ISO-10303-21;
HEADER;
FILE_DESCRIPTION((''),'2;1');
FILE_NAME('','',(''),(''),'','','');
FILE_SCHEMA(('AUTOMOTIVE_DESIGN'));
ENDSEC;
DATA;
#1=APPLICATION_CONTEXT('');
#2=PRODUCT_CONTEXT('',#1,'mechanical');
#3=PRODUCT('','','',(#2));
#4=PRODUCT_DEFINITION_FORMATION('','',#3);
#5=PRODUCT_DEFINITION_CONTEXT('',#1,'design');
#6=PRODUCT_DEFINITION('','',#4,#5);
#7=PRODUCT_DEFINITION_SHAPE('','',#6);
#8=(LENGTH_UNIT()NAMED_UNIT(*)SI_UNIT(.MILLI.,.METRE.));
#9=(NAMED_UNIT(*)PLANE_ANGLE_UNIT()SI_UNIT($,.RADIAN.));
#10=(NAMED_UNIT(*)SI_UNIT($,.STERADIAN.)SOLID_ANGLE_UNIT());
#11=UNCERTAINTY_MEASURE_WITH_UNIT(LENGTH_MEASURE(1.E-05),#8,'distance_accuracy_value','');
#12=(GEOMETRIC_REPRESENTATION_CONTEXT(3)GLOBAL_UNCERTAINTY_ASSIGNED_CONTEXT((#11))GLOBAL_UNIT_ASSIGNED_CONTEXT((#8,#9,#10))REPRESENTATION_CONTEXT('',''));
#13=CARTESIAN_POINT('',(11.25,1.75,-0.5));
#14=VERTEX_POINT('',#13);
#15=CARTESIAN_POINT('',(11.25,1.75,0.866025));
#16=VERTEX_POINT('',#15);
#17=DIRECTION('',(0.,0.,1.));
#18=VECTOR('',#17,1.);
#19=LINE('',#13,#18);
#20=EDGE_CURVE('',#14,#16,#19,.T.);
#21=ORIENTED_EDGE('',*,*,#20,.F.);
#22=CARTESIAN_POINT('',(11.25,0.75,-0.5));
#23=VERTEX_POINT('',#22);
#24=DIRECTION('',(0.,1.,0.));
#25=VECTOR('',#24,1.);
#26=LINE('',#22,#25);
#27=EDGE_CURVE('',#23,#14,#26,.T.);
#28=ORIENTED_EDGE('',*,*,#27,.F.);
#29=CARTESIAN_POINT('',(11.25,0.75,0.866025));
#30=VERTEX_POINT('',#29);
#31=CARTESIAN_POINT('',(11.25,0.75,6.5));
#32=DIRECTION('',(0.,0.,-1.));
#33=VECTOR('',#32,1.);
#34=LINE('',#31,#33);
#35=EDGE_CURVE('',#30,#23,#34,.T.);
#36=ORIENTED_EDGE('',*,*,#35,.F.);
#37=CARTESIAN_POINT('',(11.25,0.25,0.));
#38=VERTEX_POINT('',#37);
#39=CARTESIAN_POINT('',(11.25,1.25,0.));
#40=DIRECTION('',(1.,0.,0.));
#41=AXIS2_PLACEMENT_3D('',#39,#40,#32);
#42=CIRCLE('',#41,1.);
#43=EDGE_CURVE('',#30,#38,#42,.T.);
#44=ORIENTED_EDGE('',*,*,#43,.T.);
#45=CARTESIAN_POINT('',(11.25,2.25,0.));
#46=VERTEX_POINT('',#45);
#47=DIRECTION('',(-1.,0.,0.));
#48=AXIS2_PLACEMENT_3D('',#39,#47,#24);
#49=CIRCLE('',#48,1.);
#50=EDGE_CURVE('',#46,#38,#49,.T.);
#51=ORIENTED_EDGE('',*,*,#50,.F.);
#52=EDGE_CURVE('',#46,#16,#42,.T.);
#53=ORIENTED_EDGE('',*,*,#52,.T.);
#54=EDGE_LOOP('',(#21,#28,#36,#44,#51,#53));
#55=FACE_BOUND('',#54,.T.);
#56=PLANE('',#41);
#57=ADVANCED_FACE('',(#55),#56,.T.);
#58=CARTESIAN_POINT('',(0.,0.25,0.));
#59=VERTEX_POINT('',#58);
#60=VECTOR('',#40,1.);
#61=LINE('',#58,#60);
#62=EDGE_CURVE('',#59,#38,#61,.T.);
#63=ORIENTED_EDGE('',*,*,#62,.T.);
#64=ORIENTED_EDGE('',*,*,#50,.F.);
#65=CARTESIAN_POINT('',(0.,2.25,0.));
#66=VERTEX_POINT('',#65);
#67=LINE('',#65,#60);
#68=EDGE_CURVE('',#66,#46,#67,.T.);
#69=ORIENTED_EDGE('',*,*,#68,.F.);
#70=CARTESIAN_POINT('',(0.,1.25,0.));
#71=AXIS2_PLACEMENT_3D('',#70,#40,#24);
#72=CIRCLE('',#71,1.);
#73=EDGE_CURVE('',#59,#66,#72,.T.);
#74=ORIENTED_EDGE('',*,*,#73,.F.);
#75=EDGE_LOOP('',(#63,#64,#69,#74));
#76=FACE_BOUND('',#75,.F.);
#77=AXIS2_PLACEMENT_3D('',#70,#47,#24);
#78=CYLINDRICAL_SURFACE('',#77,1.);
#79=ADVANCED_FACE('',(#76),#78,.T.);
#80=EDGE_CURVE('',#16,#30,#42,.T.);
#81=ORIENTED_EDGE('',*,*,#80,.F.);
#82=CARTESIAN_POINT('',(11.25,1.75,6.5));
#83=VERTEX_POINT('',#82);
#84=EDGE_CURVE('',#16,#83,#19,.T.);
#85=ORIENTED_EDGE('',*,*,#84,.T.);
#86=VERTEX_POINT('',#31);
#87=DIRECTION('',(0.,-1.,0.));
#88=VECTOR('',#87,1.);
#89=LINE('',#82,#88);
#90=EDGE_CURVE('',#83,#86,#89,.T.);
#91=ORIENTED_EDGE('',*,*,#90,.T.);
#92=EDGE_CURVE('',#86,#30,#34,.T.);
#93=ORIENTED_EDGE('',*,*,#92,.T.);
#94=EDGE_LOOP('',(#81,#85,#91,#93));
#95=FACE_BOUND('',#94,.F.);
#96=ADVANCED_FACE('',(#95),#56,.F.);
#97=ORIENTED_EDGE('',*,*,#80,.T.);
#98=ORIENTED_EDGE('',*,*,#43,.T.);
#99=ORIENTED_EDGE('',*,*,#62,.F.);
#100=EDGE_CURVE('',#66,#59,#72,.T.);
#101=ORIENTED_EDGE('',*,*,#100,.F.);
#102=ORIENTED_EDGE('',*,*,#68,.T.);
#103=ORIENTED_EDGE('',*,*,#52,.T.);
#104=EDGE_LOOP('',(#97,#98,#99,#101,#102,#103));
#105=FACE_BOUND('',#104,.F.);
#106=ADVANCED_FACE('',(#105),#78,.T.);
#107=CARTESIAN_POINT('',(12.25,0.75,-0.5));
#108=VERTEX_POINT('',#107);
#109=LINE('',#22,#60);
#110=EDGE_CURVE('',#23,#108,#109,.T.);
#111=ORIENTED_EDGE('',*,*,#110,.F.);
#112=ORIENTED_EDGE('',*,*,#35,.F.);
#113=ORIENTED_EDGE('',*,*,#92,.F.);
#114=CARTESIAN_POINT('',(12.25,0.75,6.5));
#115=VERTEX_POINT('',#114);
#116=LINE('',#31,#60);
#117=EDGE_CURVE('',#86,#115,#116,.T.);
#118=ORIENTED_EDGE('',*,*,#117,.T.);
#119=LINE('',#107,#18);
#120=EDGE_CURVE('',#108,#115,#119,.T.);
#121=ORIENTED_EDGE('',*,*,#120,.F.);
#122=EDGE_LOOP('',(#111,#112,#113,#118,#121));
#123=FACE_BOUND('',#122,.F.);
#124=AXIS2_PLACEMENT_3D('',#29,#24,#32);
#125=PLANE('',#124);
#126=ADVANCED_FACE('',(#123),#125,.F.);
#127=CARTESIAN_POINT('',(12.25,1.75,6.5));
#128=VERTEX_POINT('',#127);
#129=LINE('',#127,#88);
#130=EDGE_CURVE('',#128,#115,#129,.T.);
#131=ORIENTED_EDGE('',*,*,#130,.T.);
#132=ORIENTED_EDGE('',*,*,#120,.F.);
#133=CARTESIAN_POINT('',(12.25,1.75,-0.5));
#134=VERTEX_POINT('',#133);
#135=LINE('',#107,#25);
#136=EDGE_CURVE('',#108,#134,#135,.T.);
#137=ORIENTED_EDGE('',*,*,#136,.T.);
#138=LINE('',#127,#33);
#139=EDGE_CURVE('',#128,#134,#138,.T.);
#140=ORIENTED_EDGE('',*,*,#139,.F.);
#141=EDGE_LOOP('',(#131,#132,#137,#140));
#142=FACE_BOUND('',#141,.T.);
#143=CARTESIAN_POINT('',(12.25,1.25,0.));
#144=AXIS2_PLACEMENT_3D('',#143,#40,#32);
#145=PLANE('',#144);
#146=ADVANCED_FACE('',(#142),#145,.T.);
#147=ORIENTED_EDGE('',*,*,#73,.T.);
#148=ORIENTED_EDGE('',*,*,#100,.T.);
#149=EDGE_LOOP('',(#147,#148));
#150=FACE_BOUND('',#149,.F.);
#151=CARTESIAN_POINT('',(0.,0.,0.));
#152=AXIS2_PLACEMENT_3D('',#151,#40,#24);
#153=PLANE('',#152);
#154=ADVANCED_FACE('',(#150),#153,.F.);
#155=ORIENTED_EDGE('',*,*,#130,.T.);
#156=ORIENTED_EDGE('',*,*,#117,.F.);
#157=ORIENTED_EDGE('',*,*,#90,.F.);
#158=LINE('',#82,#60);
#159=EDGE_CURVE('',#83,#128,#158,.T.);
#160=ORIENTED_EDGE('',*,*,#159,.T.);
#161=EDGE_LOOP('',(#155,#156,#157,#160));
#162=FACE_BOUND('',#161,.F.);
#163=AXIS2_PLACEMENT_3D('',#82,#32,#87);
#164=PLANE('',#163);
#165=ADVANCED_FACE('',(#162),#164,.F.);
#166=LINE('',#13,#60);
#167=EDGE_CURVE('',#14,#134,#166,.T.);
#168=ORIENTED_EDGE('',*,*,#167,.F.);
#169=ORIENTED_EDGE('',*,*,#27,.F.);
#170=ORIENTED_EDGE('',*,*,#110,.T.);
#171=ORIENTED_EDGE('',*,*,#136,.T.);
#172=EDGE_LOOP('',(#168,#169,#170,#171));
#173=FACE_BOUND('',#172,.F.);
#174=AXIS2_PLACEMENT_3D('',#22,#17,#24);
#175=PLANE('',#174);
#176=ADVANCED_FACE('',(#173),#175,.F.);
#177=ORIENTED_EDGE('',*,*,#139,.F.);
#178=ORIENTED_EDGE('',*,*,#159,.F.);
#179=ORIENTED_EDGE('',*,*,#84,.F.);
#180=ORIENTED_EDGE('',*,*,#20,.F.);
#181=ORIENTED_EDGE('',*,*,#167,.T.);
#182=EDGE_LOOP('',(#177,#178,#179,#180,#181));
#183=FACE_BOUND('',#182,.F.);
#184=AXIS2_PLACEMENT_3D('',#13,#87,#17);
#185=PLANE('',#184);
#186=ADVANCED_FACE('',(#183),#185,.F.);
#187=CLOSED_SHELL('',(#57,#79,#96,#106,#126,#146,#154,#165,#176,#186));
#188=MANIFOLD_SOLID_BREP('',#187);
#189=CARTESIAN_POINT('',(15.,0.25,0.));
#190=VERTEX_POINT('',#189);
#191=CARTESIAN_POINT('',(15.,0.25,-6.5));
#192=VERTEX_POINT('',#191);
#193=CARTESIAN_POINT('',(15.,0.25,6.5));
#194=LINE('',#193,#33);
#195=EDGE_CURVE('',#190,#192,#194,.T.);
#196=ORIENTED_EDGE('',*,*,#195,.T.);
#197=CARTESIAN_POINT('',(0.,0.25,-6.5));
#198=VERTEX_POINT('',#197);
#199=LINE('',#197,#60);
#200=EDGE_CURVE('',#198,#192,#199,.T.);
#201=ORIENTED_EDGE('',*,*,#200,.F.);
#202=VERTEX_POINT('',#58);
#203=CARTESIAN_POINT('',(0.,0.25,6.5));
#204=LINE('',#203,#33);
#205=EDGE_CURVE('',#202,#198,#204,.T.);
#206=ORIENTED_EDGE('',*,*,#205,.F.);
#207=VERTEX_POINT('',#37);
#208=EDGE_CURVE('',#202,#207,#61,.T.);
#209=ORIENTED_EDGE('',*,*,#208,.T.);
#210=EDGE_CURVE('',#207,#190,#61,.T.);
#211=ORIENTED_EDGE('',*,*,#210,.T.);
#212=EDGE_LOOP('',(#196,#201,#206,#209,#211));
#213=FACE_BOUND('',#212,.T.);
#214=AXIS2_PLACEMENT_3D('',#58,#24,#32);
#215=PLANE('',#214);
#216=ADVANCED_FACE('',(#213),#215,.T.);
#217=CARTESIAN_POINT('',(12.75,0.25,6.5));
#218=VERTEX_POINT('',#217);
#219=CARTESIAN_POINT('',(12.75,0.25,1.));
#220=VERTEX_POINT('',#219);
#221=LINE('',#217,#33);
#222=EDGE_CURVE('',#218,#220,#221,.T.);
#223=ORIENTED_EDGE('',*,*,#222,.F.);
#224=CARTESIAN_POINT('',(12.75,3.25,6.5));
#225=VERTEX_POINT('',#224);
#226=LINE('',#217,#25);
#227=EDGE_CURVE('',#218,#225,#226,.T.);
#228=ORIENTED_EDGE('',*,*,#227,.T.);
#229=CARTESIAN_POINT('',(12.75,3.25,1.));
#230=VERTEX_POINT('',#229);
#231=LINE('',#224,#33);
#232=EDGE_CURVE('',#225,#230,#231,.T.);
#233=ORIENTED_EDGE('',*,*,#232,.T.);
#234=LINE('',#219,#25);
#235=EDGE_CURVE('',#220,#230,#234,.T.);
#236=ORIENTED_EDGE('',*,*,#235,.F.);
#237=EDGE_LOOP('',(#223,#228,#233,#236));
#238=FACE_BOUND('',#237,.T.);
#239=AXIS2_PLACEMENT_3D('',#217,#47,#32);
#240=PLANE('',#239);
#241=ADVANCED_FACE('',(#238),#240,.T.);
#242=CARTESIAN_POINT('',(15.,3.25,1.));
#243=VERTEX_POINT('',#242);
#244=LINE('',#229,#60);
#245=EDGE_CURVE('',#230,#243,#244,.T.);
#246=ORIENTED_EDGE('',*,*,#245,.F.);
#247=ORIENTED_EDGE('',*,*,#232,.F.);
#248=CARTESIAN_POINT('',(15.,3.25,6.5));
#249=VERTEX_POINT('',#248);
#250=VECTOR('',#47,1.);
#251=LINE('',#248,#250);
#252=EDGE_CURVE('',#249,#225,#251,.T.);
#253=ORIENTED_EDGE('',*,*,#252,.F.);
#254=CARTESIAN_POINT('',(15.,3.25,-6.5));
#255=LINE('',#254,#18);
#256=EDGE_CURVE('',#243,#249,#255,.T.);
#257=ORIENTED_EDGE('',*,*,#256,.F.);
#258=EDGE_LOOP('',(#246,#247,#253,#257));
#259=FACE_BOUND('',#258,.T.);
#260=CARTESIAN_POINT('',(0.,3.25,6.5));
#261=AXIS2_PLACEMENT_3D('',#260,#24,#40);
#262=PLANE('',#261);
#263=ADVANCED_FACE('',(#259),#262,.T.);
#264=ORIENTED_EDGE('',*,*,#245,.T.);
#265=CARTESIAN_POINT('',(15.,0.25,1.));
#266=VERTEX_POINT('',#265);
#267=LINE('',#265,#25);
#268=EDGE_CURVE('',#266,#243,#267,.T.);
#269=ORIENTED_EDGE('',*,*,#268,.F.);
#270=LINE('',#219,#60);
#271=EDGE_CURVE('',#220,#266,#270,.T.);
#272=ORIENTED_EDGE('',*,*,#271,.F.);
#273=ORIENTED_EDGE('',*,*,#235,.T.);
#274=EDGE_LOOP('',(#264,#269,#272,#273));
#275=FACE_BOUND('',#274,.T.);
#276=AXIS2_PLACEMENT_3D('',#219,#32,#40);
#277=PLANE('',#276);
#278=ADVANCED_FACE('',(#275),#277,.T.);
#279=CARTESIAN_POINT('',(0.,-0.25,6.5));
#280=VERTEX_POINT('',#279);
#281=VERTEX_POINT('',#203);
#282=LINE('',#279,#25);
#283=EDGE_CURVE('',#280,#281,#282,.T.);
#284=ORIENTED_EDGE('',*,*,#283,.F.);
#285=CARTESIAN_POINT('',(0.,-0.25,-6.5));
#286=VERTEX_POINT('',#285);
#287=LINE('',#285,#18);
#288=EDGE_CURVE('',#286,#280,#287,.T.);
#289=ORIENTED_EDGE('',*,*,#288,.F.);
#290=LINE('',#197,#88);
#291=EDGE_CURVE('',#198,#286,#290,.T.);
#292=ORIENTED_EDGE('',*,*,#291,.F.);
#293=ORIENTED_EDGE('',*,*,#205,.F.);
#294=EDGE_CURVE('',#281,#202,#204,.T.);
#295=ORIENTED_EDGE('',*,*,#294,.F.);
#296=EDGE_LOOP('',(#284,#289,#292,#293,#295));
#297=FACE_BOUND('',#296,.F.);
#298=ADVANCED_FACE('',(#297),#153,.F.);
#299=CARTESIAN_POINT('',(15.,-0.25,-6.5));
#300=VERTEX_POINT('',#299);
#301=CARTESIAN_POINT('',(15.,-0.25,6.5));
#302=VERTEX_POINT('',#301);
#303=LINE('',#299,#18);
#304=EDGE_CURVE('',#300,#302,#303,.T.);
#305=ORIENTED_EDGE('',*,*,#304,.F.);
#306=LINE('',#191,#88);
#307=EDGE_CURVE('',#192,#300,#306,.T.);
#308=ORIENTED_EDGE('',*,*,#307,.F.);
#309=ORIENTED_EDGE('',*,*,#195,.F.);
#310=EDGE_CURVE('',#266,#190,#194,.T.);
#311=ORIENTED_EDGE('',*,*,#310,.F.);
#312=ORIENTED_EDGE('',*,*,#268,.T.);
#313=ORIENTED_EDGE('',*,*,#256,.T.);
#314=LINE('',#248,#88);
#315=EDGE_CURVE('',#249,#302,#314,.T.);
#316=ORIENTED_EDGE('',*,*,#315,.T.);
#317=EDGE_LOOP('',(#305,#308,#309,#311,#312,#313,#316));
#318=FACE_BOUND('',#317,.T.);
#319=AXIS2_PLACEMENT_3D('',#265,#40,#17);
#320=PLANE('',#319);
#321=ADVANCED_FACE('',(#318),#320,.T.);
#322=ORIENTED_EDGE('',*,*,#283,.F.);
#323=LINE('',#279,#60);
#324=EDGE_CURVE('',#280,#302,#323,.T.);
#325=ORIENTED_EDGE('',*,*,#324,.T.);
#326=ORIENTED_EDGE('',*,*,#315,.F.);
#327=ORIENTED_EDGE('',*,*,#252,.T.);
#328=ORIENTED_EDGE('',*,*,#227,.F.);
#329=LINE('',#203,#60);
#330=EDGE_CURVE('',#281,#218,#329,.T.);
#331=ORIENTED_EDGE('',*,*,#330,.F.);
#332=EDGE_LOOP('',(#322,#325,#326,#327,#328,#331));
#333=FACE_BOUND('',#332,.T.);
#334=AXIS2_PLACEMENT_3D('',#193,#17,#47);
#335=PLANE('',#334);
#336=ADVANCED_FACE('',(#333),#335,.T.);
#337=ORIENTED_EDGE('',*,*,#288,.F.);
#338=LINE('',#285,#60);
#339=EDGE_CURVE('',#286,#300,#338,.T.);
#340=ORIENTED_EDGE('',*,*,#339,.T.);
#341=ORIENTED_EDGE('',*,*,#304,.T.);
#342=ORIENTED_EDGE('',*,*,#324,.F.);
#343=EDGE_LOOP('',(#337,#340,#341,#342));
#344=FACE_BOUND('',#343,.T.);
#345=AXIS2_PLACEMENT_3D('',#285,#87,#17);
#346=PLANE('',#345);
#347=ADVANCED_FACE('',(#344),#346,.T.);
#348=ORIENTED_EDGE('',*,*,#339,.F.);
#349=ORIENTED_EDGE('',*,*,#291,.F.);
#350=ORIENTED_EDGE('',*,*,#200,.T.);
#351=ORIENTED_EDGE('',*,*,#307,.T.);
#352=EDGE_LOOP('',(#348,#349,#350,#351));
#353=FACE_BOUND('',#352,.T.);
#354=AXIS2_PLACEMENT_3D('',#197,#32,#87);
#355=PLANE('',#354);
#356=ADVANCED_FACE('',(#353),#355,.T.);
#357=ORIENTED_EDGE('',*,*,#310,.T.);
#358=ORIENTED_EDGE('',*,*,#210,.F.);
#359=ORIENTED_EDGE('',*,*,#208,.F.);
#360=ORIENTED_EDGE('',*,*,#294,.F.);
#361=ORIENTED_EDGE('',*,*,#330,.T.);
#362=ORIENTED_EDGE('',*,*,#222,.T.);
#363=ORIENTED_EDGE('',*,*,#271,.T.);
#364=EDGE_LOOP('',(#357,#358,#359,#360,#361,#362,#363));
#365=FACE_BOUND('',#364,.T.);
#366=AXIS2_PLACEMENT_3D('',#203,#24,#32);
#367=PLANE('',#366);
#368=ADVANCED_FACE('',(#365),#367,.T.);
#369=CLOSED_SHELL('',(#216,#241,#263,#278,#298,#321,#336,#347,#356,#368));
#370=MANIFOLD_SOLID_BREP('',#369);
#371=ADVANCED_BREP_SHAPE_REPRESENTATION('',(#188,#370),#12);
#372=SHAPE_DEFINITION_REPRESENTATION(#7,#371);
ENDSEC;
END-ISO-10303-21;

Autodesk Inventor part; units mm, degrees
ref_plane "YZ Plane" through (0, 0, 0) normal (1, 0, 0) x (0, 1, 0)
ref_plane "XZ Plane" through (0, 0, 0) normal (0, 1, 0) x (-1, 0, 0)
ref_plane "XY Plane" through (0, 0, 0) normal (0, 0, 1) x (1, 0, 0)
sketch "Sketch1" plane through (0, 0, 0) normal (1, 0, 0) x (0, 1, 0)
  line L0 (-0.25, 6.5) -> (0.25, 6.5)
  line L1 (0.25, 6.5) -> (0.25, -6.5)
  line L2 (0.25, -6.5) -> (-0.25, -6.5)
  line L3 (-0.25, -6.5) -> (-0.25, 6.5)
  line L4 (-0.25, 6.5) -> (0.25, -6.5) construction
  line L5 (0.25, 6.5) -> (-0.25, -6.5) construction
  circle A0 centre (1.25, 0) radius 1
  point P0 (0, 0)
  point P1 (0, 0)
  dimension "d0" = 0.5
  dimension "d1" = 13
  dimension "d2" = 2
extrude "Extrusion1" add sketch "Sketch1" along normal blind 15
sketch "Sketch2" plane through (15, 1.25, 0) normal (1, 0, 0) x (0, 0, -1)
  circle A0 centre (0, 0) radius 1
  point P0 (0, -1.25)
extrude "Extrusion2" cut sketch "Sketch2" against normal blind 3.75
sketch "Sketch3" plane through (11.25, 1.25, 0) normal (1, 0, 0) x (0, 0, -1)
  line L0 (0.5, 0.5) -> (-6.5, 0.5)
  line L1 (-6.5, 0.5) -> (-6.5, -0.5)
  line L2 (-6.5, -0.5) -> (0.5, -0.5)
  line L3 (0.5, -0.5) -> (0.5, 0.5)
  line L4 (0.5, 0.5) -> (-6.5, -0.5) construction
  line L5 (-6.5, 0.5) -> (0.5, -0.5) construction
  circle A0 centre (0, 0) radius 1 projected
  line L6 (-6.5, -1) -> (-6.5, -1.5) projected
  point P0 (0, -1.25)
  point P1 (-3, 0)
  point P2 (0, -1)
  point P3 (-3, 0)
  dimension "d11" = 0.5
  dimension "d12" = 1
  dimension "d7" = 0.5
  dimension "d8" = 1
extrude "Extrusion3" add sketch "Sketch3" along normal blind 1 contours L3 L2 A0 L0 | A0 L2 L1 L0 picked at (0.0018, -0.0348)
sketch "Sketch4" plane through (0, 0.25, 6.5) normal (0, 1, 0) x (1, 0, 0)
  line L0 (15, 13) -> (15, 0) projected
  line L1 (15, 0) -> (12.75, 0)
  line L2 (12.75, 0) -> (12.75, 5.5)
  line L3 (12.75, 5.5) -> (15, 5.5)
  line L4 (15, 5.5) -> (15, 0)
  line L5 (12.25, 7) -> (12.25, 0) projected
  line L6 (0, 6.5) -> (11.25, 6.5) projected
  dimension "d11" = 0.5
  dimension "d12" = 1
extrude "Extrusion4" add sketch "Sketch4" along normal blind 3
properties part number "latch" material "Stainless Steel"
